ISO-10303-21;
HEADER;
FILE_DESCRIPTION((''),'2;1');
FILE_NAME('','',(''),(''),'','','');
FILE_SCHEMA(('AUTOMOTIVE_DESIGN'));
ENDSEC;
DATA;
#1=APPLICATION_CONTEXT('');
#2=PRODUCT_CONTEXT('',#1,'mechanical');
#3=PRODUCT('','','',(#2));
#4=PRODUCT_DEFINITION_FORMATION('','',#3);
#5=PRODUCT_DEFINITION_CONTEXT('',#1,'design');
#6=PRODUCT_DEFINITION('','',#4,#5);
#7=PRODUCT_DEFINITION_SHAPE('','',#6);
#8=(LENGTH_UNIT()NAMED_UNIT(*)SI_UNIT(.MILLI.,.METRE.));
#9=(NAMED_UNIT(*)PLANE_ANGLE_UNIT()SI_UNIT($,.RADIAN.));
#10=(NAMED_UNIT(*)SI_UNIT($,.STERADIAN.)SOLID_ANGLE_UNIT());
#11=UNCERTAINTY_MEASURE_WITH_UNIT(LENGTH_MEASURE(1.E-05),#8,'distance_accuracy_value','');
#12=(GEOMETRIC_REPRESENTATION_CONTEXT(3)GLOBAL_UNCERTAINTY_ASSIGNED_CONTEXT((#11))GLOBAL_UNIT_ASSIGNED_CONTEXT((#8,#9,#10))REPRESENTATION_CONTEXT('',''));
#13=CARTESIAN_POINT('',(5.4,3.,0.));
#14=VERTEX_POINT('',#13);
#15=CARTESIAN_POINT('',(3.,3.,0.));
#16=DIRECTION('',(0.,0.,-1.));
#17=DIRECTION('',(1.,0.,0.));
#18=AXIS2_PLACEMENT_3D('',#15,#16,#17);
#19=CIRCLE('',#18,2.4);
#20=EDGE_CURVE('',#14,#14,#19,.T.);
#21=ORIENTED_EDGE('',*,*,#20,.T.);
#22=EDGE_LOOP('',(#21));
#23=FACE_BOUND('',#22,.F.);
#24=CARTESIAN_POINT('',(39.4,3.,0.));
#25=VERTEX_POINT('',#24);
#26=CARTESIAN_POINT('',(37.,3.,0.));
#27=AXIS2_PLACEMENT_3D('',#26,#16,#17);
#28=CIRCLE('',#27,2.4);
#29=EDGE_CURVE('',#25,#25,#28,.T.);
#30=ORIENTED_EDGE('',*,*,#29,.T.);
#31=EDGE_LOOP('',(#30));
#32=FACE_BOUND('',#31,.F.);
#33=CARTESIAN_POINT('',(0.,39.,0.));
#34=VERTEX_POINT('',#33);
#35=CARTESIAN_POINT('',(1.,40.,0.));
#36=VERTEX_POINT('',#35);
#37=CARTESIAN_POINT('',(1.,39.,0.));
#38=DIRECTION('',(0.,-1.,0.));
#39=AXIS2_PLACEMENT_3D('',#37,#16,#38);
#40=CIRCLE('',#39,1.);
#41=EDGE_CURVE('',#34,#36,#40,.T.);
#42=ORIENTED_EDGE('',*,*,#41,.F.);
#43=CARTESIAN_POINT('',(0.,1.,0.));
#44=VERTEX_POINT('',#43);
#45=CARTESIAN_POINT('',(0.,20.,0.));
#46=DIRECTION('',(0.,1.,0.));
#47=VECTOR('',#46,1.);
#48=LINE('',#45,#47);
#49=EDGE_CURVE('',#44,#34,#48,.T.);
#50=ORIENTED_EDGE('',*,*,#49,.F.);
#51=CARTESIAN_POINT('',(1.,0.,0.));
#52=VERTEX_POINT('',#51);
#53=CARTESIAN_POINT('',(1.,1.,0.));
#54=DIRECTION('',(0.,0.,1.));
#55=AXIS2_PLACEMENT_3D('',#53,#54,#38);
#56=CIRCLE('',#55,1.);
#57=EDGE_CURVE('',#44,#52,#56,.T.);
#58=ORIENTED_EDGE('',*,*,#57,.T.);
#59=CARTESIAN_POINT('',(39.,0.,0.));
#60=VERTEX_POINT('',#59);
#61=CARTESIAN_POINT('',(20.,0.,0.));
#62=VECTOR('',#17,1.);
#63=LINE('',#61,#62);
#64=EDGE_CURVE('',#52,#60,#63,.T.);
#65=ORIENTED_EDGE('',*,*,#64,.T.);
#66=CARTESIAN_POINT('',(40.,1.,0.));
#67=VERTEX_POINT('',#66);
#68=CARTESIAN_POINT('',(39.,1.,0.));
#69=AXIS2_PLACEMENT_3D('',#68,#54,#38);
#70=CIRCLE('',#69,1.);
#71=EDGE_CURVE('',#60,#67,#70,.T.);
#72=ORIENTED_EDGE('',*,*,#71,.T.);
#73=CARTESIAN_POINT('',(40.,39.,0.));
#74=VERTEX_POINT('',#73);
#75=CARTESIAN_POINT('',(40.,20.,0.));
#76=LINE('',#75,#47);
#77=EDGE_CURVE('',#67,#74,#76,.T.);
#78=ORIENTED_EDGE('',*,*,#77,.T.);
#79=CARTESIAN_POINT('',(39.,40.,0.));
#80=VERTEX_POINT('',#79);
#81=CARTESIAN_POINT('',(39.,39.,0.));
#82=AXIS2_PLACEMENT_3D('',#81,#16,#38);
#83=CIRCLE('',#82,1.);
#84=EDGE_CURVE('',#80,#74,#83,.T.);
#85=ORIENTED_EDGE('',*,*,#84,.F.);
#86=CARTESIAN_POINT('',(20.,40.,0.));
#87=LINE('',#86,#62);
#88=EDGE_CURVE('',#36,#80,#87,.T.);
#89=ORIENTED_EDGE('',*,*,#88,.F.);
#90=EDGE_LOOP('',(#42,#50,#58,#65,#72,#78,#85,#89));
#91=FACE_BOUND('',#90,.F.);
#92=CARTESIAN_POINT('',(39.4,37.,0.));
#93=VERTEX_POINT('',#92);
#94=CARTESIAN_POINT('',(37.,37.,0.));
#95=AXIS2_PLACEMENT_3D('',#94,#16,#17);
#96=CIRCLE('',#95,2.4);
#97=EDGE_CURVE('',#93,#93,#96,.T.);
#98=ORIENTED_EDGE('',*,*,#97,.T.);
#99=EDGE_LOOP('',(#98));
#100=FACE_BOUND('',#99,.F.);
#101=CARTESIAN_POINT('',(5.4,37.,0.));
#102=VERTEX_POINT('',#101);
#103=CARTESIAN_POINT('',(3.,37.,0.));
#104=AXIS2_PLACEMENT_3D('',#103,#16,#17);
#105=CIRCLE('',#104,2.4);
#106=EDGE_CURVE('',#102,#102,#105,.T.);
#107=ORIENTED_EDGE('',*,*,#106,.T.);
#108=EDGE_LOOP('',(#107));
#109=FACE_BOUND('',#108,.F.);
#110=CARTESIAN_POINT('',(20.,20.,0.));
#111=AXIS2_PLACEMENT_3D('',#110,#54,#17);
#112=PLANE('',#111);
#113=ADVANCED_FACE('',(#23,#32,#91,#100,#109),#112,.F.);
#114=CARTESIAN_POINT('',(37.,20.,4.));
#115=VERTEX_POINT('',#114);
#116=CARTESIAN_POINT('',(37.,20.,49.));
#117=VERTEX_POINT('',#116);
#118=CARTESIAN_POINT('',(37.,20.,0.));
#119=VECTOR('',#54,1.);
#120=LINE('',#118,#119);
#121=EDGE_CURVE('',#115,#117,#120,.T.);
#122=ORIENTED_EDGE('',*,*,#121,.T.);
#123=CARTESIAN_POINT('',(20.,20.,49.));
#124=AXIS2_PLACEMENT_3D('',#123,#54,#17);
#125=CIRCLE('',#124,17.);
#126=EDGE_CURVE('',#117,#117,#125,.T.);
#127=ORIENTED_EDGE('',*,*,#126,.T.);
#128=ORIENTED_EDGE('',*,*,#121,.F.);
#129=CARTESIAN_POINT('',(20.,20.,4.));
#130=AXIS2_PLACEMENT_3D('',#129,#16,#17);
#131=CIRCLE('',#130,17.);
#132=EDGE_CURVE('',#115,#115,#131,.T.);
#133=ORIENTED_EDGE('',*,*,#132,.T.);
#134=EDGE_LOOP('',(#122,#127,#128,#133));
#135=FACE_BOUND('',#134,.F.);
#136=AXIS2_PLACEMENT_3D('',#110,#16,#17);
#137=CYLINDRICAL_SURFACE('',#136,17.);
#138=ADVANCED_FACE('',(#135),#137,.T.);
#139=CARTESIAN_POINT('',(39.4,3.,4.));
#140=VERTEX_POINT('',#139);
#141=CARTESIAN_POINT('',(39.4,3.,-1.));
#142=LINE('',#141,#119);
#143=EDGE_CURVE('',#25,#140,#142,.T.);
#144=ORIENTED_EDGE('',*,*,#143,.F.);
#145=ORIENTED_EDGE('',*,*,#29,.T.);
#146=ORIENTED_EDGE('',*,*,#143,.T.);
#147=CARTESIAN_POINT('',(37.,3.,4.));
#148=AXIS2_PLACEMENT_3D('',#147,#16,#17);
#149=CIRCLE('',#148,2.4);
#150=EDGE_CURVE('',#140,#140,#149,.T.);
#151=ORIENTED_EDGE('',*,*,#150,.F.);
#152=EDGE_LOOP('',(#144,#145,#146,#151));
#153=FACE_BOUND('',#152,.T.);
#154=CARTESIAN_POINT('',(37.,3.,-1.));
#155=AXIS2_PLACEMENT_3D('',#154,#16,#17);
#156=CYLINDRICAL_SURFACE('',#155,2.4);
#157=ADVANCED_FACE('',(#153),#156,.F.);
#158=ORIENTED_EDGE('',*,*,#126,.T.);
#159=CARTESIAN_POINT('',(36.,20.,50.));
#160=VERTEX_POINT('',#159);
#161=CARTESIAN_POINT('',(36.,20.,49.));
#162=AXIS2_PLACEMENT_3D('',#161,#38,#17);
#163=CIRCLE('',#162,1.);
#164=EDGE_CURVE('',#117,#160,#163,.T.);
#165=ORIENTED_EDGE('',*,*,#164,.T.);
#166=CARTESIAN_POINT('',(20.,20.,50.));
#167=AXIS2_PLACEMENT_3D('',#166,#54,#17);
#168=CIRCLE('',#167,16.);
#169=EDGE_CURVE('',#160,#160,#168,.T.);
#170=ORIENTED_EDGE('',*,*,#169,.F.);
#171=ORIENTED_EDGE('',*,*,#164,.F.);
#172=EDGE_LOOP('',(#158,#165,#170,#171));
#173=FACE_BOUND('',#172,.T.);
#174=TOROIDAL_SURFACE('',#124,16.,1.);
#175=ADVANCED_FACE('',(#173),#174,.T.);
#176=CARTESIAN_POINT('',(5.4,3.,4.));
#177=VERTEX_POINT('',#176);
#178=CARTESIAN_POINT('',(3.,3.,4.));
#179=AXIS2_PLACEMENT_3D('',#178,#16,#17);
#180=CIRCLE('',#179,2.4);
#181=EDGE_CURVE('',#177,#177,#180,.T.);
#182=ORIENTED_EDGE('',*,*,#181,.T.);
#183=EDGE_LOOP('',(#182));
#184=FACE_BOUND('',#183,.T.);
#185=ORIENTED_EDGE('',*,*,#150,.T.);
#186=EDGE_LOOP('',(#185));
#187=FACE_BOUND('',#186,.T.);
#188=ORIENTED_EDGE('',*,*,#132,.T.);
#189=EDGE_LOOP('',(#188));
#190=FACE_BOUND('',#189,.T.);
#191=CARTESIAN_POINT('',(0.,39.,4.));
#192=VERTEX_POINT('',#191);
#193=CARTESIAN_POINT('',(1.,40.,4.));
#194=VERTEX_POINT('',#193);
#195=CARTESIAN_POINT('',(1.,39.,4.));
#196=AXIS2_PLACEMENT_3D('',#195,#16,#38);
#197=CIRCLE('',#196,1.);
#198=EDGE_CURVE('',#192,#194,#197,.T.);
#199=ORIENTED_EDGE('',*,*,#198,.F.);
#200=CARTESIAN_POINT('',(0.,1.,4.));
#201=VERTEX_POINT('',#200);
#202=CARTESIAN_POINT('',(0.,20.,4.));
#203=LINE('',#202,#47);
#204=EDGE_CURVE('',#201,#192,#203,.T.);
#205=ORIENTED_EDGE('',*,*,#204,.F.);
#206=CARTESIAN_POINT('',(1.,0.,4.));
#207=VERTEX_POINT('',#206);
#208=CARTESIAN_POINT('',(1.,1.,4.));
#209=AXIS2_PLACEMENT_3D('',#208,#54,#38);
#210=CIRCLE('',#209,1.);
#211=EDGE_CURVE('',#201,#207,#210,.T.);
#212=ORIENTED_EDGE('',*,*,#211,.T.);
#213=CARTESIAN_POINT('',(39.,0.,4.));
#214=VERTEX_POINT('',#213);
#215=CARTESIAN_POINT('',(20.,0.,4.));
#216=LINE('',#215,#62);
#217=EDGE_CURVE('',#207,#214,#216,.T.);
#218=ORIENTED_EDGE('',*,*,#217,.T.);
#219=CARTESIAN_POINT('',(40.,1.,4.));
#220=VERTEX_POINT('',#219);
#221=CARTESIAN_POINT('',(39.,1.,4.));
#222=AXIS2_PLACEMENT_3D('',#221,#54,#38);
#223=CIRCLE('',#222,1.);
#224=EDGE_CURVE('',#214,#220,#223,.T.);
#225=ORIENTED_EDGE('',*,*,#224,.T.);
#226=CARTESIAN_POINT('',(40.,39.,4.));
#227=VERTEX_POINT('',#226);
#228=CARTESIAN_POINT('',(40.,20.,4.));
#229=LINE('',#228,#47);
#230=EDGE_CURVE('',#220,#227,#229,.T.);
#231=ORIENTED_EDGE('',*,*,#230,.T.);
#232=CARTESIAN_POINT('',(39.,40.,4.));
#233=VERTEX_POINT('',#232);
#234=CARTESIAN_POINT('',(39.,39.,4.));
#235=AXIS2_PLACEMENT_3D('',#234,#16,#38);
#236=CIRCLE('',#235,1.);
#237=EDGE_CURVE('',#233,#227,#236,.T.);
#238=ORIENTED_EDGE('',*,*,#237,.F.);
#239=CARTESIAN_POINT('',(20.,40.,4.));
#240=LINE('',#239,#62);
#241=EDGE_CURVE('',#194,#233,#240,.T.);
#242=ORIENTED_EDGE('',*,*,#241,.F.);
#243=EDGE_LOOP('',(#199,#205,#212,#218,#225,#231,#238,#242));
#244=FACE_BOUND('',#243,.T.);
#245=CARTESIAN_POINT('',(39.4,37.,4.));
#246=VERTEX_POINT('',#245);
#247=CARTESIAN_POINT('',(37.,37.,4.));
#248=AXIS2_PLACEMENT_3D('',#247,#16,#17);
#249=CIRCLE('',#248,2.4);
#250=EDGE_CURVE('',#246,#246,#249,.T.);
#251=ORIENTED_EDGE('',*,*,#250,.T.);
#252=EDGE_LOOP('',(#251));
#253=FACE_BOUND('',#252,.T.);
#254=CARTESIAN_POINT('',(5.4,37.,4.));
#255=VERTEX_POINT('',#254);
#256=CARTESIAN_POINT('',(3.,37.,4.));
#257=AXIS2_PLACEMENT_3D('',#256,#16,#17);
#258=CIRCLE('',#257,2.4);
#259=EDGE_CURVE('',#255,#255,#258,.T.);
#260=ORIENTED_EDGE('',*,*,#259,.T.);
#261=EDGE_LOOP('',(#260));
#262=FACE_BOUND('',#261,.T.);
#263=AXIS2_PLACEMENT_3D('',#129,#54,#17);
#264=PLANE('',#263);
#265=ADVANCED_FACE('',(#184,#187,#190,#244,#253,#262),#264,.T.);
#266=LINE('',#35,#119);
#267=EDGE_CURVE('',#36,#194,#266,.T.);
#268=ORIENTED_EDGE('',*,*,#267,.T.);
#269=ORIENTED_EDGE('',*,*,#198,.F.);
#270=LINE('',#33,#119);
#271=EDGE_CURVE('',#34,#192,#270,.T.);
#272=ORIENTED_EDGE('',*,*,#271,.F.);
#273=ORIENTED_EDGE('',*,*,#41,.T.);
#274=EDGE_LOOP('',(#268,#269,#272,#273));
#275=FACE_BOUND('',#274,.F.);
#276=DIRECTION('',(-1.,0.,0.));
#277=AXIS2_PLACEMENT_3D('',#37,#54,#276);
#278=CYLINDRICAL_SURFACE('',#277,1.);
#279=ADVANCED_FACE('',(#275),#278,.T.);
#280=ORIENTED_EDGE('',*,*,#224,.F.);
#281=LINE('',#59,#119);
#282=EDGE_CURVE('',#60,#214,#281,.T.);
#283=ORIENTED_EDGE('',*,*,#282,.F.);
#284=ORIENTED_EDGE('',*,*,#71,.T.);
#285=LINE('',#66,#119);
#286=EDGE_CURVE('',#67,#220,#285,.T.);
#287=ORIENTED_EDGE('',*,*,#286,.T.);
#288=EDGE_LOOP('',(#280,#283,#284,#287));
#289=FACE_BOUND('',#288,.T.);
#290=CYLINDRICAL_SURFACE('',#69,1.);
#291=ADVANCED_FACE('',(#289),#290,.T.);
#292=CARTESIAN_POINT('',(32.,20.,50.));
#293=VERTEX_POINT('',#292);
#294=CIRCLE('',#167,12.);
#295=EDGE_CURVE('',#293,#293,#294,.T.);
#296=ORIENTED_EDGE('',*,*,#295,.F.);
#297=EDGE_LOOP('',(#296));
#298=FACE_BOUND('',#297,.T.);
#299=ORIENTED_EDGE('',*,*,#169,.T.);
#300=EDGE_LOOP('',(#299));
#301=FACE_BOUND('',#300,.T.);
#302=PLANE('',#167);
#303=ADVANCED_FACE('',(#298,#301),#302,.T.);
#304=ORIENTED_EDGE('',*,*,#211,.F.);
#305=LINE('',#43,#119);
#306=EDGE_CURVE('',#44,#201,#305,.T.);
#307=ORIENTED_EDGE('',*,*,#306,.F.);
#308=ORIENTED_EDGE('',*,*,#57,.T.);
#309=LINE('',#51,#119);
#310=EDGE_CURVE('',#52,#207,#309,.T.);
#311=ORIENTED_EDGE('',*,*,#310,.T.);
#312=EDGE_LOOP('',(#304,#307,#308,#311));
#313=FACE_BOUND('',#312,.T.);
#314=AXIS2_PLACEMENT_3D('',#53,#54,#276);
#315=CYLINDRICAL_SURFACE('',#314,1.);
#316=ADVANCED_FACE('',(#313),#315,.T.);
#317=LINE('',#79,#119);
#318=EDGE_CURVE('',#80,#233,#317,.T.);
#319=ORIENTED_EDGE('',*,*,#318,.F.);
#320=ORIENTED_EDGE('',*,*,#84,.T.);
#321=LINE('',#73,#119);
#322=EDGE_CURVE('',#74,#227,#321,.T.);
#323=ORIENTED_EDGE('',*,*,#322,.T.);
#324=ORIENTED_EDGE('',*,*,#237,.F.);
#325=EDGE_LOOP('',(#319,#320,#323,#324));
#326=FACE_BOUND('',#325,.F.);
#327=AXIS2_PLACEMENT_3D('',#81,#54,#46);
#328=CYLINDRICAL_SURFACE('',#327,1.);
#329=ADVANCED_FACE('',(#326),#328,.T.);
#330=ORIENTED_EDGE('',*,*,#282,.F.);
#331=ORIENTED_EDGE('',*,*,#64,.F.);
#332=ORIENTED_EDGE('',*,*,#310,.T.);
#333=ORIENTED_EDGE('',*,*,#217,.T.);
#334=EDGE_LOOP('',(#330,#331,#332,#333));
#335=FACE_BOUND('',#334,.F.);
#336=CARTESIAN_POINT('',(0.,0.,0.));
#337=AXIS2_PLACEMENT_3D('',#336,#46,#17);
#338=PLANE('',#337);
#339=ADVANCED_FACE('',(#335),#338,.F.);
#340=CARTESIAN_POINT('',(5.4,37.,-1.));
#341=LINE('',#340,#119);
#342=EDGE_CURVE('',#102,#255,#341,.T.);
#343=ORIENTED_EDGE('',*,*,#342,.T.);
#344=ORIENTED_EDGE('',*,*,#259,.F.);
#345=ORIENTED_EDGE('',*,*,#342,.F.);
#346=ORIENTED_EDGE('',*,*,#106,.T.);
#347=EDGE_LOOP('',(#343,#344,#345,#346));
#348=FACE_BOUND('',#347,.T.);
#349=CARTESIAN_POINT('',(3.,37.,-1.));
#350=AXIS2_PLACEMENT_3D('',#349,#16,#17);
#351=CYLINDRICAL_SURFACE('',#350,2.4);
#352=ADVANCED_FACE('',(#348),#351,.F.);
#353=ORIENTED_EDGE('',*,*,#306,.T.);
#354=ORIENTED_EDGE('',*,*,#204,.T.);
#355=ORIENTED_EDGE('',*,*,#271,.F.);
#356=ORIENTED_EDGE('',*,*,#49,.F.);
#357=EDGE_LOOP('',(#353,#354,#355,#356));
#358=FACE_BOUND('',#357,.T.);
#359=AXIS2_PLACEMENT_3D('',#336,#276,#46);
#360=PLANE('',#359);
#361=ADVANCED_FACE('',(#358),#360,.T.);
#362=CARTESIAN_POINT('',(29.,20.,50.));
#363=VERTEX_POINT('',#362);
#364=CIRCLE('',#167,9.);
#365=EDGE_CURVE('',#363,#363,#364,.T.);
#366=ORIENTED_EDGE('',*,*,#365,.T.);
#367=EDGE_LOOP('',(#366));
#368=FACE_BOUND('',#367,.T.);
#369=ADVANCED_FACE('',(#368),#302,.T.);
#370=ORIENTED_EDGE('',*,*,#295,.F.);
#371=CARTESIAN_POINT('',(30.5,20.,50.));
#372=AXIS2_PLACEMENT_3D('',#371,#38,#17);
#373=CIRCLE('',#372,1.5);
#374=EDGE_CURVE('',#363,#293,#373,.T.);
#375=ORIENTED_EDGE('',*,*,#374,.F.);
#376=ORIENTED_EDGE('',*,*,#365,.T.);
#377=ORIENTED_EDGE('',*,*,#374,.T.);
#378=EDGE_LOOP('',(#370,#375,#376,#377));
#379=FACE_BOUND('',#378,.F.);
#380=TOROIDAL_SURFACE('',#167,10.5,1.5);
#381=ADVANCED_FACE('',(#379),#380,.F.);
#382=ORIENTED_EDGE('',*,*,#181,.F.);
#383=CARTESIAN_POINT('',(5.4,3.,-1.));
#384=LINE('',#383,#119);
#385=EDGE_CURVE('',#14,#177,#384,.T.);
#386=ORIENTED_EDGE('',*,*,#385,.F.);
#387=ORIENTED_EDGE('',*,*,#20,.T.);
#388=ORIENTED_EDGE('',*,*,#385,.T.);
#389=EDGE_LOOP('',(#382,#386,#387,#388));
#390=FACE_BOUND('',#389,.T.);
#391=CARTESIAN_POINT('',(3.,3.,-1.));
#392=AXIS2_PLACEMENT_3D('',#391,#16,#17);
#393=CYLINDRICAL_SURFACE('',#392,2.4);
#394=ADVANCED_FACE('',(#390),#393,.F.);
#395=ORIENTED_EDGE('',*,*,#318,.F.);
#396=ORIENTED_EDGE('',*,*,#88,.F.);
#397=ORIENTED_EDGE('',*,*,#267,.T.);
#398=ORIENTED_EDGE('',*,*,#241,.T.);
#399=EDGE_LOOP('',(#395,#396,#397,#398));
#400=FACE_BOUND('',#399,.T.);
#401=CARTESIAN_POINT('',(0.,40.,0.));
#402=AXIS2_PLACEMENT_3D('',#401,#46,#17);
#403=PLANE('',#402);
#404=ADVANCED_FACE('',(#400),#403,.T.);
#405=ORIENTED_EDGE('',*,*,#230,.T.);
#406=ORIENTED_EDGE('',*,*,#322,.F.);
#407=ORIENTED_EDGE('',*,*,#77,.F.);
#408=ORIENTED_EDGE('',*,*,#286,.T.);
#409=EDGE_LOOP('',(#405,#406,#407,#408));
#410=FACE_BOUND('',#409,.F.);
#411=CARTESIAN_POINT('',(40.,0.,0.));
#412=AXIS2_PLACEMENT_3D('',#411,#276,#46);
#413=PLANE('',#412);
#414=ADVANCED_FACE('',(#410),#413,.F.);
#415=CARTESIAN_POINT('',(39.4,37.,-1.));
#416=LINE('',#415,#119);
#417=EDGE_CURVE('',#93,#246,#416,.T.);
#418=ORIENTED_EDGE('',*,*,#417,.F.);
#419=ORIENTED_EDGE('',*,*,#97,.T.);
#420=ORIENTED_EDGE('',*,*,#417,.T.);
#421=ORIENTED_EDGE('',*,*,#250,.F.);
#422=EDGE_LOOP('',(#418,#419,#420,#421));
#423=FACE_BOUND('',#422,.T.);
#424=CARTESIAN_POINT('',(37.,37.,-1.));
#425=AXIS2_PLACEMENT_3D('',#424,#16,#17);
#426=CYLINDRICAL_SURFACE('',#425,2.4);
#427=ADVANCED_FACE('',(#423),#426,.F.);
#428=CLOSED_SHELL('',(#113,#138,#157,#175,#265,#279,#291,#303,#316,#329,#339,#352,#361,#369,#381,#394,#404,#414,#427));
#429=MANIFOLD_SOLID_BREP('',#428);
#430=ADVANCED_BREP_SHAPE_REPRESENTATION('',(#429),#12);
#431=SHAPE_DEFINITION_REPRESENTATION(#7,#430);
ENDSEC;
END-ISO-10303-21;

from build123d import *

# Parameters (mm, degrees)
CYLINDER001_R     = 2.4
CYLINDER001_DEPTH = 10
ARRAY_X_COUNT     = 2
ARRAY_X_PITCH     = 34
ARRAY_Y_COUNT     = 2
ARRAY_Y_PITCH     = 34
TORUS_R           = 1.5
BOX_W             = 40
BOX_H             = 40
BOX_DEPTH         = 4
CYLINDER_R        = 17
CYLINDER_DEPTH    = 50
FILLET_R          = 1


with BuildPart() as taladros:
    # Cylinder001 → Cylinder001 (new body)
    with BuildSketch(Plane(origin=(3, 3, -1), x_dir=(1, 0, 0), z_dir=(0, 0, 1))):
        Circle(CYLINDER001_R)
    extrude(amount=CYLINDER001_DEPTH)

    # Array X: Taladros ×2


with BuildPart() as taladros_1:
    add(taladros.part)
    with Locations(*[(i * ARRAY_X_PITCH, 0, 0) for i in range(1, ARRAY_X_COUNT)]):
        add(taladros.part)

    # Array Y: Taladros ×2


with BuildPart() as taladros_2:
    add(taladros_1.part)
    with Locations(*[(0, i * ARRAY_Y_PITCH, 0) for i in range(1, ARRAY_Y_COUNT)]):
        add(taladros_1.part)


with BuildPart() as alojamiento_torica:
    # Torus → Torus (revolve)
    with BuildSketch(Plane(origin=(20, 20, 50), x_dir=(1, 0, 0), z_dir=(0, -1, 0))):
        with Locations((10.5, 0)):
            Circle(TORUS_R)
    revolve(axis=Axis((20, 20, 50), (0, 0, 1)))


with BuildPart() as base:
    # Box → Box (new body)
    with BuildSketch(Plane.XY):
        with Locations((20, 20)):
            Rectangle(BOX_W, BOX_H)
    extrude(amount=BOX_DEPTH)


with BuildPart() as pata_ikea_redondeada:
    # Cylinder → Cylinder (new body)
    with BuildSketch(Plane(origin=(20, 20, 0), x_dir=(1, 0, 0), z_dir=(0, 0, 1))):
        Circle(CYLINDER_R)
    extrude(amount=CYLINDER_DEPTH)

    # Fusion: union Base
    add(base.part)

    # Cut: cut Alojamiento_torica
    add(alojamiento_torica.part, mode=Mode.SUBTRACT)

    # Cut001: cut Taladros
    add(taladros_2.part, mode=Mode.SUBTRACT)

    # Fillet
    fillet_edges = [pata_ikea_redondeada.edges().sort_by_distance(p)[0] for p in [
        (3, 20, 50),
        (0, 0, 2),
        (0, 40, 2),
        (40, 40, 2),
        (40, 0, 2),
    ]]
    fillet(fillet_edges, radius=FILLET_R)


solid = pata_ikea_redondeada.part
